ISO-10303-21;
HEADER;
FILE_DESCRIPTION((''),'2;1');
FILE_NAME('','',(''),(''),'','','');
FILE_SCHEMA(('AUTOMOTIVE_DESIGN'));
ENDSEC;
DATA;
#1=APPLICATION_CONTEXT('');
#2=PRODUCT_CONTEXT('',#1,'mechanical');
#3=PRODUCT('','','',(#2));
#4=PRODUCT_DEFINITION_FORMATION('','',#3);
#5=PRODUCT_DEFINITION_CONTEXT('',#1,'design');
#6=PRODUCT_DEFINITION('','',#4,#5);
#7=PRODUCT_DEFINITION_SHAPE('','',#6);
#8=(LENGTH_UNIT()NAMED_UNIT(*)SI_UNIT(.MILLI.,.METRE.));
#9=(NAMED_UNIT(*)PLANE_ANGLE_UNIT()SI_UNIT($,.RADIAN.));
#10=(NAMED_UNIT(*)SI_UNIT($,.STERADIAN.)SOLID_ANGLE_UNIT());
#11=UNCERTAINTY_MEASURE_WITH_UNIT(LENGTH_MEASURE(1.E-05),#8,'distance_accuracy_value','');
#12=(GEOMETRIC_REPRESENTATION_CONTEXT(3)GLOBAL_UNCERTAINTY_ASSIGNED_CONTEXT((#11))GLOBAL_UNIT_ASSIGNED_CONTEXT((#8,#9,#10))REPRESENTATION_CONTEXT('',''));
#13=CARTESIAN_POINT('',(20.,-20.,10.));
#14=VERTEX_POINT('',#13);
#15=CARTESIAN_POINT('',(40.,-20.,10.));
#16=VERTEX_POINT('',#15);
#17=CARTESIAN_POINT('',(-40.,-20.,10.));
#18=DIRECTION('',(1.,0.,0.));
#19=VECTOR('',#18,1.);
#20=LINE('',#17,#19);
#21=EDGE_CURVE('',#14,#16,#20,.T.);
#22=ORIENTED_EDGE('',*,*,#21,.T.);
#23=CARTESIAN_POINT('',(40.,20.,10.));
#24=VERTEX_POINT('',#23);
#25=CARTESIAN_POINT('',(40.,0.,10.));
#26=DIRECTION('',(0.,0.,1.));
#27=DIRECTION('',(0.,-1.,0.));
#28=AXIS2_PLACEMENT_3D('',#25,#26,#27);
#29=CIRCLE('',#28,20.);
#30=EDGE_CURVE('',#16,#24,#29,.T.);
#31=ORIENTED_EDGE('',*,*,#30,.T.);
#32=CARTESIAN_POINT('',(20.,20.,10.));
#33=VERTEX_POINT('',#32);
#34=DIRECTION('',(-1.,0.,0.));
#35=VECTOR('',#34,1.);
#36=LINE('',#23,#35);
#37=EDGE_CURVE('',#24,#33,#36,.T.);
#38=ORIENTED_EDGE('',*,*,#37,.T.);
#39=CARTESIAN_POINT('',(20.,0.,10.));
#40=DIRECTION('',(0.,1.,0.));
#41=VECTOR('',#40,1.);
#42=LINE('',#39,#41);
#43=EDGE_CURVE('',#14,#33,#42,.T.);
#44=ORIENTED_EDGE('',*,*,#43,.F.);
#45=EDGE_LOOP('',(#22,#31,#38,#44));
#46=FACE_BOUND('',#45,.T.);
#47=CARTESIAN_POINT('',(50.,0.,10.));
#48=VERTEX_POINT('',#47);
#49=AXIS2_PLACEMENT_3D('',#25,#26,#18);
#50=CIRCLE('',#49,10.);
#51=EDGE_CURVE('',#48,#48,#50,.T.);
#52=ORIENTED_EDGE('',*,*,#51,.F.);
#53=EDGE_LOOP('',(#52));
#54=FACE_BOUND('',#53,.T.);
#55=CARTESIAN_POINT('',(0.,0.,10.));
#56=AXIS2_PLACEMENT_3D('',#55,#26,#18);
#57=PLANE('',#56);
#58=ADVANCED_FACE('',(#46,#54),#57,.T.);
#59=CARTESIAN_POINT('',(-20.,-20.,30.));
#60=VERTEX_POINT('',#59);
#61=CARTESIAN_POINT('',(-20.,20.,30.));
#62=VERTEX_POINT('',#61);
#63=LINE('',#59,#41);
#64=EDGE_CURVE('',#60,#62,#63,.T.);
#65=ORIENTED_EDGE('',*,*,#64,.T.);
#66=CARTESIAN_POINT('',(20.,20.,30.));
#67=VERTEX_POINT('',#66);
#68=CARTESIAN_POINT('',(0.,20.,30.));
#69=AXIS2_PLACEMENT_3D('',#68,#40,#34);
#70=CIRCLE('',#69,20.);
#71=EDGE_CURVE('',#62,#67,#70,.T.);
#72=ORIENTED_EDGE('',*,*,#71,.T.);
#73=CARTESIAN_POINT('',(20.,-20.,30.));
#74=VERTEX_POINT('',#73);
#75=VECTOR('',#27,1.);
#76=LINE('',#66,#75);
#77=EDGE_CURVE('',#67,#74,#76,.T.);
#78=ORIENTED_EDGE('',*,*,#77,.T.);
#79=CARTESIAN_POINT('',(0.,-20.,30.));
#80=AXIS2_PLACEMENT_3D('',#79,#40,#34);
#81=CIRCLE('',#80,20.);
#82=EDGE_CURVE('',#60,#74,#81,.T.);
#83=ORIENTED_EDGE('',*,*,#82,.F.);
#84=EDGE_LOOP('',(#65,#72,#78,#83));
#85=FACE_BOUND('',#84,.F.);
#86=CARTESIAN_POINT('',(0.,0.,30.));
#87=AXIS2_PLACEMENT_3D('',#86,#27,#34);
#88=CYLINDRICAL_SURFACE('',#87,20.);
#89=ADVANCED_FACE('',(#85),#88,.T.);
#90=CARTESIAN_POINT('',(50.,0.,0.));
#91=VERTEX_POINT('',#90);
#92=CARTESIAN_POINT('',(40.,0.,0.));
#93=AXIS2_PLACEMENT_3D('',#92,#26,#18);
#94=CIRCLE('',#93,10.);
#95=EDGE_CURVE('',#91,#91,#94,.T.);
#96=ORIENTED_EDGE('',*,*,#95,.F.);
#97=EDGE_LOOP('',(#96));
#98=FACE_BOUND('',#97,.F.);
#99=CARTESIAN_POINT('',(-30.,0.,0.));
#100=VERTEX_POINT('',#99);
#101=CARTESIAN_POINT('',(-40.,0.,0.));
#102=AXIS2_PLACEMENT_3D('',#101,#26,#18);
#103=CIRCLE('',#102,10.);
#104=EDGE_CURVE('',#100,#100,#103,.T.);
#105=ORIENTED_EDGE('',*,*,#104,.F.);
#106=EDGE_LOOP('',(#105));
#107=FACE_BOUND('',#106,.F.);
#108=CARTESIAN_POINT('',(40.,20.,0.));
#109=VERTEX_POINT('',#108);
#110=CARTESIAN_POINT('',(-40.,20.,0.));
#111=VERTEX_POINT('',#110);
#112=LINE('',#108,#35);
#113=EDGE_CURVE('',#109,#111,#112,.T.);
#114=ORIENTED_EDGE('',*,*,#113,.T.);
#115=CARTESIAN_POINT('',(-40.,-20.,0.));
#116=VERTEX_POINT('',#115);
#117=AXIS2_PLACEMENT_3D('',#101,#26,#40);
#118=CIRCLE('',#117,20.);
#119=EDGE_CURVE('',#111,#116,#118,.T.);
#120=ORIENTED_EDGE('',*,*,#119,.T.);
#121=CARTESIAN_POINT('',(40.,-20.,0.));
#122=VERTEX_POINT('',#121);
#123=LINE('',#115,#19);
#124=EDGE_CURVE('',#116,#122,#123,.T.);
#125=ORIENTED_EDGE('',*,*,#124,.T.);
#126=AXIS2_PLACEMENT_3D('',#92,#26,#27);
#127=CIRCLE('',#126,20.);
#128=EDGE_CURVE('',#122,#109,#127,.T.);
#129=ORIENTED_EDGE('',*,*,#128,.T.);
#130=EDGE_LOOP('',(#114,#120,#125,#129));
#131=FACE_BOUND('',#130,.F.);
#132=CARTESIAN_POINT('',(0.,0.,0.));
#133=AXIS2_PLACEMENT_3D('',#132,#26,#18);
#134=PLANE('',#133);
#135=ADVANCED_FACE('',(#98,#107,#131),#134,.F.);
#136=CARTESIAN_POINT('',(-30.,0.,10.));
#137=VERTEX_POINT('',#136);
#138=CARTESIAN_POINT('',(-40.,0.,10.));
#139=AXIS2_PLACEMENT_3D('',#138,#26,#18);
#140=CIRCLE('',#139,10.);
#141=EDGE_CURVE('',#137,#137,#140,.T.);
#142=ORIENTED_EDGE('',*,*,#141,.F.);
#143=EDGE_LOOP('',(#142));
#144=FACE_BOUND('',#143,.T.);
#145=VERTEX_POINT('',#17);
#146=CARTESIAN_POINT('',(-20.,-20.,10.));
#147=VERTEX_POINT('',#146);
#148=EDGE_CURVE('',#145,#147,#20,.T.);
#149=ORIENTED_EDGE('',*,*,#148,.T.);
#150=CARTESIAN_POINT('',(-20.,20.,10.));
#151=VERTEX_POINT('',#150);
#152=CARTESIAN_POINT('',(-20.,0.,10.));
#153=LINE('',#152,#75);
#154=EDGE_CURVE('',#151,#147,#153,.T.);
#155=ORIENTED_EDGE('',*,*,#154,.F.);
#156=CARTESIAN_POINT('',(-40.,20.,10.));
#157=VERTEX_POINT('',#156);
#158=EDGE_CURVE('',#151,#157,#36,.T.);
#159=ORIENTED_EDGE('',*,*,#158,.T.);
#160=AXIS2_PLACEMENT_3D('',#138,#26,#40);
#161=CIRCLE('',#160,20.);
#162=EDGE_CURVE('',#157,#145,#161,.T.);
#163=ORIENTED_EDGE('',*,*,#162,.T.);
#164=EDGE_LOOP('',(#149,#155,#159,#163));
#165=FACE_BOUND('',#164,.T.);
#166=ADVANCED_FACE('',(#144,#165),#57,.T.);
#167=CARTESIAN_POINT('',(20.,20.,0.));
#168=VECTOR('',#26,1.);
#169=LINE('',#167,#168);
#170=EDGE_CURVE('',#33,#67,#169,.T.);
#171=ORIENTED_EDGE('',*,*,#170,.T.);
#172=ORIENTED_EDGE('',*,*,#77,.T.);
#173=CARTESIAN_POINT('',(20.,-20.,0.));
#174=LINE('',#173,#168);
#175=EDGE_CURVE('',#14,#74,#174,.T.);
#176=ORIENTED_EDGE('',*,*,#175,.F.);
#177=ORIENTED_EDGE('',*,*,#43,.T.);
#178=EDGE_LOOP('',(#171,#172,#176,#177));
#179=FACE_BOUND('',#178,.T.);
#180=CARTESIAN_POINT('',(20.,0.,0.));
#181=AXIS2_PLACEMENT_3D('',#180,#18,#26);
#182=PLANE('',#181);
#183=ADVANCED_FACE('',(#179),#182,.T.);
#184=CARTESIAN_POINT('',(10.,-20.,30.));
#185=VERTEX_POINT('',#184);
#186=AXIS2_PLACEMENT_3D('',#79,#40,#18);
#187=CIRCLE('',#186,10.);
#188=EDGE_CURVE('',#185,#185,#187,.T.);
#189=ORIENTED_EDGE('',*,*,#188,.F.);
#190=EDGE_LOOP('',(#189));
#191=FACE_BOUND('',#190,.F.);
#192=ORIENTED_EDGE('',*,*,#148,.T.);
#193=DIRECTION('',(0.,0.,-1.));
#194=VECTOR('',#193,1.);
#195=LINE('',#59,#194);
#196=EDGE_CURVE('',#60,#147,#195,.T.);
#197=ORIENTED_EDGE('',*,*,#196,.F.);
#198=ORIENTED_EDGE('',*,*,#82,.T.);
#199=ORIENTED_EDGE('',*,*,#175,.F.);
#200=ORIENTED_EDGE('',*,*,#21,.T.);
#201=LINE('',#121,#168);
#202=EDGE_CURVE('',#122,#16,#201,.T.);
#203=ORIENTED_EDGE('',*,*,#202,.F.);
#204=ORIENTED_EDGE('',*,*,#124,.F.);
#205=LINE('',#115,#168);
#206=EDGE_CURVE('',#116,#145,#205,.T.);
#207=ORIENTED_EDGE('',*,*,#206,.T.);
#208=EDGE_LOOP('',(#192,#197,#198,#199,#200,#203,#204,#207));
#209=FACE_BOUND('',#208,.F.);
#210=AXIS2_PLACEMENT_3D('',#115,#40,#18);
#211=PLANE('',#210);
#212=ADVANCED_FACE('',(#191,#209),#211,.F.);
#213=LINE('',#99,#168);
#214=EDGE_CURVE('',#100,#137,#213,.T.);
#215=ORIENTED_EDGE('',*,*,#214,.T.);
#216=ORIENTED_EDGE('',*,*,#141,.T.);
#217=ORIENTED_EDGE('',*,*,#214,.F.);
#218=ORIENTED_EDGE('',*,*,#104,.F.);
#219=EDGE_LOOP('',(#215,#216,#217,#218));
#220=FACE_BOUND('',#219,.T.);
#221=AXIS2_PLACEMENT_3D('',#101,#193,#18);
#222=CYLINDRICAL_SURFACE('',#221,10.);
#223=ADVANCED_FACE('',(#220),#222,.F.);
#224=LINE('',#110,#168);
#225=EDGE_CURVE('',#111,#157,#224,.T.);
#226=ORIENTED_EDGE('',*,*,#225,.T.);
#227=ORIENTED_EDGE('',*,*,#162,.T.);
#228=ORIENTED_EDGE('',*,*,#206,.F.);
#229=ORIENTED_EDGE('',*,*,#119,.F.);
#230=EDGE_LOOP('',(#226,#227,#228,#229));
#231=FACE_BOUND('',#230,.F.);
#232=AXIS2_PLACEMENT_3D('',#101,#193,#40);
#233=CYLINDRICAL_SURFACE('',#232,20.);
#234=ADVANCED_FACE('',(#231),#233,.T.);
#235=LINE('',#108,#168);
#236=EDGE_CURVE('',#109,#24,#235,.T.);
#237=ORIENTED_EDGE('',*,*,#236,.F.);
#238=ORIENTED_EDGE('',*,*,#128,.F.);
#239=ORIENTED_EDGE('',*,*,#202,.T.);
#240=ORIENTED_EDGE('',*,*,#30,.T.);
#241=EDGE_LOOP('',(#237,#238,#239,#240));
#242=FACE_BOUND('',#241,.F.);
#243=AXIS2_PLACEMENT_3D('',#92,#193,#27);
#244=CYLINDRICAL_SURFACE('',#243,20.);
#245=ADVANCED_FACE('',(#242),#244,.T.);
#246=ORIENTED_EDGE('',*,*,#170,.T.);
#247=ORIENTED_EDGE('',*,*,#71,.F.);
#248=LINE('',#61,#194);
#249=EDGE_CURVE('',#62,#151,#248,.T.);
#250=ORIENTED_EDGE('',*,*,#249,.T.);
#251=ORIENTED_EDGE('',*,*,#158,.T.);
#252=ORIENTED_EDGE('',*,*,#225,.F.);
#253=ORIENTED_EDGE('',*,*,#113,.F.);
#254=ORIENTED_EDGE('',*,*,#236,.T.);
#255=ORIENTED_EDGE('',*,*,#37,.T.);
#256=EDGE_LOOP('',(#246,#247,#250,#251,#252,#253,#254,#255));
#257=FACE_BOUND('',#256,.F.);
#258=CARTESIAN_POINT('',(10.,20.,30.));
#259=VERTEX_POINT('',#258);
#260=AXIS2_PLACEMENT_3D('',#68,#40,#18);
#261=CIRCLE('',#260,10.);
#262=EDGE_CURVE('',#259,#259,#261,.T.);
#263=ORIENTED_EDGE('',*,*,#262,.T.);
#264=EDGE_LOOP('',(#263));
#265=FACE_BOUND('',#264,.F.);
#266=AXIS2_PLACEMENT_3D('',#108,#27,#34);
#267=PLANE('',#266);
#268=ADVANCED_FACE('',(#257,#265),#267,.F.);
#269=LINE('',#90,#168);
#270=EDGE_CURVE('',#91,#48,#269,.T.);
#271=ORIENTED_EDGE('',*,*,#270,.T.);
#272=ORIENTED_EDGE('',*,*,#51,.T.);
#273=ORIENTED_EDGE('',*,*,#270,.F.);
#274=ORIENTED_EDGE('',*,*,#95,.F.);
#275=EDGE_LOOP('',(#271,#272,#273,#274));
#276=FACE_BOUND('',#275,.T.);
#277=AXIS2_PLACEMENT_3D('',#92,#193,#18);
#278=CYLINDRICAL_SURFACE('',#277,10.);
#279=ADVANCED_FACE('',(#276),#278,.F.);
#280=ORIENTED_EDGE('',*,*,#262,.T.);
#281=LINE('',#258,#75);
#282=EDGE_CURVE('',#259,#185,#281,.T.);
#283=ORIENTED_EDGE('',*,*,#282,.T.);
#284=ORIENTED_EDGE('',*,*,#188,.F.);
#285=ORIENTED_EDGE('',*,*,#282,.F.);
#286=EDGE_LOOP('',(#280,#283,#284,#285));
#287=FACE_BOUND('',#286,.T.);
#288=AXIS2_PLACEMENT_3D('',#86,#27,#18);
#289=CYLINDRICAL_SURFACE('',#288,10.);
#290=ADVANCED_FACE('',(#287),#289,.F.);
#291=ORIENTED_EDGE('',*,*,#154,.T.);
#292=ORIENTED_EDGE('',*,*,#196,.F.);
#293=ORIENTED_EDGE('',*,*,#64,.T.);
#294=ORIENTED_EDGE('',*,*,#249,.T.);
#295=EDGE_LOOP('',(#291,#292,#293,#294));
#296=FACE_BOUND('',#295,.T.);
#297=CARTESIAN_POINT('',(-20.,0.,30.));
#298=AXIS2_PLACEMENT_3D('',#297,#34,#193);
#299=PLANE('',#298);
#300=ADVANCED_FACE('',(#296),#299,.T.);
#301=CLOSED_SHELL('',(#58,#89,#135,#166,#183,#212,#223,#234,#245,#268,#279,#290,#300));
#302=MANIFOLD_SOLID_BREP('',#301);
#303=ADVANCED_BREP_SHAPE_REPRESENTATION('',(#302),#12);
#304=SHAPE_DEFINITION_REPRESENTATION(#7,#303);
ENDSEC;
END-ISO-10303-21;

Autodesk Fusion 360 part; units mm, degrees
sketch "Sketch1" plane through (0, 0, 0) normal (0, 0, 1) x (1, 0, 0)
  line L0 (40, 20) -> (-40, 20)
  line L1 (-40, -20) -> (40, -20)
  circle A0 centre (40, 0) radius 10
  circle A1 centre (-40, 0) radius 10
  line L2 (-40, 0) -> (-30, 0) construction
  line L3 (20, 0) -> (40, 0) construction
  line L4 (-20, -10) -> (-24, -12) construction
  arc A2 (40, -20) -> (40, 20) centre (40, 0) ccw
  arc A3 (-40, 20) -> (-40, -20) centre (-40, 0) ccw
  dimension "d1" = 40
  dimension "d2" = 80
  dimension "d5" = 40
  dimension "d6" = 40
extrude "Extrude1" add sketch "Sketch1" along normal blind 10
sketch "Sketch2" plane through (0, 0, 0) normal (0, 1, 0) x (1, 0, 0)
  line L0 (-20, 0) -> (20, 0)
  line L1 (20, 0) -> (20, -30)
  line L2 (-20, -30) -> (-20, 0)
  line L3 (-40, 0) -> (-40, -10)
  circle A0 centre (0, -30) radius 10
  arc A1 (-20, -30) -> (20, -30) centre (0, -30) ccw
  dimension "d11" = 40
  dimension "d12" = 30
  dimension "d13" = 20
  dimension "d15" = 20
extrude "Extrude2" add sketch "Sketch2" along normal mid plane 40
